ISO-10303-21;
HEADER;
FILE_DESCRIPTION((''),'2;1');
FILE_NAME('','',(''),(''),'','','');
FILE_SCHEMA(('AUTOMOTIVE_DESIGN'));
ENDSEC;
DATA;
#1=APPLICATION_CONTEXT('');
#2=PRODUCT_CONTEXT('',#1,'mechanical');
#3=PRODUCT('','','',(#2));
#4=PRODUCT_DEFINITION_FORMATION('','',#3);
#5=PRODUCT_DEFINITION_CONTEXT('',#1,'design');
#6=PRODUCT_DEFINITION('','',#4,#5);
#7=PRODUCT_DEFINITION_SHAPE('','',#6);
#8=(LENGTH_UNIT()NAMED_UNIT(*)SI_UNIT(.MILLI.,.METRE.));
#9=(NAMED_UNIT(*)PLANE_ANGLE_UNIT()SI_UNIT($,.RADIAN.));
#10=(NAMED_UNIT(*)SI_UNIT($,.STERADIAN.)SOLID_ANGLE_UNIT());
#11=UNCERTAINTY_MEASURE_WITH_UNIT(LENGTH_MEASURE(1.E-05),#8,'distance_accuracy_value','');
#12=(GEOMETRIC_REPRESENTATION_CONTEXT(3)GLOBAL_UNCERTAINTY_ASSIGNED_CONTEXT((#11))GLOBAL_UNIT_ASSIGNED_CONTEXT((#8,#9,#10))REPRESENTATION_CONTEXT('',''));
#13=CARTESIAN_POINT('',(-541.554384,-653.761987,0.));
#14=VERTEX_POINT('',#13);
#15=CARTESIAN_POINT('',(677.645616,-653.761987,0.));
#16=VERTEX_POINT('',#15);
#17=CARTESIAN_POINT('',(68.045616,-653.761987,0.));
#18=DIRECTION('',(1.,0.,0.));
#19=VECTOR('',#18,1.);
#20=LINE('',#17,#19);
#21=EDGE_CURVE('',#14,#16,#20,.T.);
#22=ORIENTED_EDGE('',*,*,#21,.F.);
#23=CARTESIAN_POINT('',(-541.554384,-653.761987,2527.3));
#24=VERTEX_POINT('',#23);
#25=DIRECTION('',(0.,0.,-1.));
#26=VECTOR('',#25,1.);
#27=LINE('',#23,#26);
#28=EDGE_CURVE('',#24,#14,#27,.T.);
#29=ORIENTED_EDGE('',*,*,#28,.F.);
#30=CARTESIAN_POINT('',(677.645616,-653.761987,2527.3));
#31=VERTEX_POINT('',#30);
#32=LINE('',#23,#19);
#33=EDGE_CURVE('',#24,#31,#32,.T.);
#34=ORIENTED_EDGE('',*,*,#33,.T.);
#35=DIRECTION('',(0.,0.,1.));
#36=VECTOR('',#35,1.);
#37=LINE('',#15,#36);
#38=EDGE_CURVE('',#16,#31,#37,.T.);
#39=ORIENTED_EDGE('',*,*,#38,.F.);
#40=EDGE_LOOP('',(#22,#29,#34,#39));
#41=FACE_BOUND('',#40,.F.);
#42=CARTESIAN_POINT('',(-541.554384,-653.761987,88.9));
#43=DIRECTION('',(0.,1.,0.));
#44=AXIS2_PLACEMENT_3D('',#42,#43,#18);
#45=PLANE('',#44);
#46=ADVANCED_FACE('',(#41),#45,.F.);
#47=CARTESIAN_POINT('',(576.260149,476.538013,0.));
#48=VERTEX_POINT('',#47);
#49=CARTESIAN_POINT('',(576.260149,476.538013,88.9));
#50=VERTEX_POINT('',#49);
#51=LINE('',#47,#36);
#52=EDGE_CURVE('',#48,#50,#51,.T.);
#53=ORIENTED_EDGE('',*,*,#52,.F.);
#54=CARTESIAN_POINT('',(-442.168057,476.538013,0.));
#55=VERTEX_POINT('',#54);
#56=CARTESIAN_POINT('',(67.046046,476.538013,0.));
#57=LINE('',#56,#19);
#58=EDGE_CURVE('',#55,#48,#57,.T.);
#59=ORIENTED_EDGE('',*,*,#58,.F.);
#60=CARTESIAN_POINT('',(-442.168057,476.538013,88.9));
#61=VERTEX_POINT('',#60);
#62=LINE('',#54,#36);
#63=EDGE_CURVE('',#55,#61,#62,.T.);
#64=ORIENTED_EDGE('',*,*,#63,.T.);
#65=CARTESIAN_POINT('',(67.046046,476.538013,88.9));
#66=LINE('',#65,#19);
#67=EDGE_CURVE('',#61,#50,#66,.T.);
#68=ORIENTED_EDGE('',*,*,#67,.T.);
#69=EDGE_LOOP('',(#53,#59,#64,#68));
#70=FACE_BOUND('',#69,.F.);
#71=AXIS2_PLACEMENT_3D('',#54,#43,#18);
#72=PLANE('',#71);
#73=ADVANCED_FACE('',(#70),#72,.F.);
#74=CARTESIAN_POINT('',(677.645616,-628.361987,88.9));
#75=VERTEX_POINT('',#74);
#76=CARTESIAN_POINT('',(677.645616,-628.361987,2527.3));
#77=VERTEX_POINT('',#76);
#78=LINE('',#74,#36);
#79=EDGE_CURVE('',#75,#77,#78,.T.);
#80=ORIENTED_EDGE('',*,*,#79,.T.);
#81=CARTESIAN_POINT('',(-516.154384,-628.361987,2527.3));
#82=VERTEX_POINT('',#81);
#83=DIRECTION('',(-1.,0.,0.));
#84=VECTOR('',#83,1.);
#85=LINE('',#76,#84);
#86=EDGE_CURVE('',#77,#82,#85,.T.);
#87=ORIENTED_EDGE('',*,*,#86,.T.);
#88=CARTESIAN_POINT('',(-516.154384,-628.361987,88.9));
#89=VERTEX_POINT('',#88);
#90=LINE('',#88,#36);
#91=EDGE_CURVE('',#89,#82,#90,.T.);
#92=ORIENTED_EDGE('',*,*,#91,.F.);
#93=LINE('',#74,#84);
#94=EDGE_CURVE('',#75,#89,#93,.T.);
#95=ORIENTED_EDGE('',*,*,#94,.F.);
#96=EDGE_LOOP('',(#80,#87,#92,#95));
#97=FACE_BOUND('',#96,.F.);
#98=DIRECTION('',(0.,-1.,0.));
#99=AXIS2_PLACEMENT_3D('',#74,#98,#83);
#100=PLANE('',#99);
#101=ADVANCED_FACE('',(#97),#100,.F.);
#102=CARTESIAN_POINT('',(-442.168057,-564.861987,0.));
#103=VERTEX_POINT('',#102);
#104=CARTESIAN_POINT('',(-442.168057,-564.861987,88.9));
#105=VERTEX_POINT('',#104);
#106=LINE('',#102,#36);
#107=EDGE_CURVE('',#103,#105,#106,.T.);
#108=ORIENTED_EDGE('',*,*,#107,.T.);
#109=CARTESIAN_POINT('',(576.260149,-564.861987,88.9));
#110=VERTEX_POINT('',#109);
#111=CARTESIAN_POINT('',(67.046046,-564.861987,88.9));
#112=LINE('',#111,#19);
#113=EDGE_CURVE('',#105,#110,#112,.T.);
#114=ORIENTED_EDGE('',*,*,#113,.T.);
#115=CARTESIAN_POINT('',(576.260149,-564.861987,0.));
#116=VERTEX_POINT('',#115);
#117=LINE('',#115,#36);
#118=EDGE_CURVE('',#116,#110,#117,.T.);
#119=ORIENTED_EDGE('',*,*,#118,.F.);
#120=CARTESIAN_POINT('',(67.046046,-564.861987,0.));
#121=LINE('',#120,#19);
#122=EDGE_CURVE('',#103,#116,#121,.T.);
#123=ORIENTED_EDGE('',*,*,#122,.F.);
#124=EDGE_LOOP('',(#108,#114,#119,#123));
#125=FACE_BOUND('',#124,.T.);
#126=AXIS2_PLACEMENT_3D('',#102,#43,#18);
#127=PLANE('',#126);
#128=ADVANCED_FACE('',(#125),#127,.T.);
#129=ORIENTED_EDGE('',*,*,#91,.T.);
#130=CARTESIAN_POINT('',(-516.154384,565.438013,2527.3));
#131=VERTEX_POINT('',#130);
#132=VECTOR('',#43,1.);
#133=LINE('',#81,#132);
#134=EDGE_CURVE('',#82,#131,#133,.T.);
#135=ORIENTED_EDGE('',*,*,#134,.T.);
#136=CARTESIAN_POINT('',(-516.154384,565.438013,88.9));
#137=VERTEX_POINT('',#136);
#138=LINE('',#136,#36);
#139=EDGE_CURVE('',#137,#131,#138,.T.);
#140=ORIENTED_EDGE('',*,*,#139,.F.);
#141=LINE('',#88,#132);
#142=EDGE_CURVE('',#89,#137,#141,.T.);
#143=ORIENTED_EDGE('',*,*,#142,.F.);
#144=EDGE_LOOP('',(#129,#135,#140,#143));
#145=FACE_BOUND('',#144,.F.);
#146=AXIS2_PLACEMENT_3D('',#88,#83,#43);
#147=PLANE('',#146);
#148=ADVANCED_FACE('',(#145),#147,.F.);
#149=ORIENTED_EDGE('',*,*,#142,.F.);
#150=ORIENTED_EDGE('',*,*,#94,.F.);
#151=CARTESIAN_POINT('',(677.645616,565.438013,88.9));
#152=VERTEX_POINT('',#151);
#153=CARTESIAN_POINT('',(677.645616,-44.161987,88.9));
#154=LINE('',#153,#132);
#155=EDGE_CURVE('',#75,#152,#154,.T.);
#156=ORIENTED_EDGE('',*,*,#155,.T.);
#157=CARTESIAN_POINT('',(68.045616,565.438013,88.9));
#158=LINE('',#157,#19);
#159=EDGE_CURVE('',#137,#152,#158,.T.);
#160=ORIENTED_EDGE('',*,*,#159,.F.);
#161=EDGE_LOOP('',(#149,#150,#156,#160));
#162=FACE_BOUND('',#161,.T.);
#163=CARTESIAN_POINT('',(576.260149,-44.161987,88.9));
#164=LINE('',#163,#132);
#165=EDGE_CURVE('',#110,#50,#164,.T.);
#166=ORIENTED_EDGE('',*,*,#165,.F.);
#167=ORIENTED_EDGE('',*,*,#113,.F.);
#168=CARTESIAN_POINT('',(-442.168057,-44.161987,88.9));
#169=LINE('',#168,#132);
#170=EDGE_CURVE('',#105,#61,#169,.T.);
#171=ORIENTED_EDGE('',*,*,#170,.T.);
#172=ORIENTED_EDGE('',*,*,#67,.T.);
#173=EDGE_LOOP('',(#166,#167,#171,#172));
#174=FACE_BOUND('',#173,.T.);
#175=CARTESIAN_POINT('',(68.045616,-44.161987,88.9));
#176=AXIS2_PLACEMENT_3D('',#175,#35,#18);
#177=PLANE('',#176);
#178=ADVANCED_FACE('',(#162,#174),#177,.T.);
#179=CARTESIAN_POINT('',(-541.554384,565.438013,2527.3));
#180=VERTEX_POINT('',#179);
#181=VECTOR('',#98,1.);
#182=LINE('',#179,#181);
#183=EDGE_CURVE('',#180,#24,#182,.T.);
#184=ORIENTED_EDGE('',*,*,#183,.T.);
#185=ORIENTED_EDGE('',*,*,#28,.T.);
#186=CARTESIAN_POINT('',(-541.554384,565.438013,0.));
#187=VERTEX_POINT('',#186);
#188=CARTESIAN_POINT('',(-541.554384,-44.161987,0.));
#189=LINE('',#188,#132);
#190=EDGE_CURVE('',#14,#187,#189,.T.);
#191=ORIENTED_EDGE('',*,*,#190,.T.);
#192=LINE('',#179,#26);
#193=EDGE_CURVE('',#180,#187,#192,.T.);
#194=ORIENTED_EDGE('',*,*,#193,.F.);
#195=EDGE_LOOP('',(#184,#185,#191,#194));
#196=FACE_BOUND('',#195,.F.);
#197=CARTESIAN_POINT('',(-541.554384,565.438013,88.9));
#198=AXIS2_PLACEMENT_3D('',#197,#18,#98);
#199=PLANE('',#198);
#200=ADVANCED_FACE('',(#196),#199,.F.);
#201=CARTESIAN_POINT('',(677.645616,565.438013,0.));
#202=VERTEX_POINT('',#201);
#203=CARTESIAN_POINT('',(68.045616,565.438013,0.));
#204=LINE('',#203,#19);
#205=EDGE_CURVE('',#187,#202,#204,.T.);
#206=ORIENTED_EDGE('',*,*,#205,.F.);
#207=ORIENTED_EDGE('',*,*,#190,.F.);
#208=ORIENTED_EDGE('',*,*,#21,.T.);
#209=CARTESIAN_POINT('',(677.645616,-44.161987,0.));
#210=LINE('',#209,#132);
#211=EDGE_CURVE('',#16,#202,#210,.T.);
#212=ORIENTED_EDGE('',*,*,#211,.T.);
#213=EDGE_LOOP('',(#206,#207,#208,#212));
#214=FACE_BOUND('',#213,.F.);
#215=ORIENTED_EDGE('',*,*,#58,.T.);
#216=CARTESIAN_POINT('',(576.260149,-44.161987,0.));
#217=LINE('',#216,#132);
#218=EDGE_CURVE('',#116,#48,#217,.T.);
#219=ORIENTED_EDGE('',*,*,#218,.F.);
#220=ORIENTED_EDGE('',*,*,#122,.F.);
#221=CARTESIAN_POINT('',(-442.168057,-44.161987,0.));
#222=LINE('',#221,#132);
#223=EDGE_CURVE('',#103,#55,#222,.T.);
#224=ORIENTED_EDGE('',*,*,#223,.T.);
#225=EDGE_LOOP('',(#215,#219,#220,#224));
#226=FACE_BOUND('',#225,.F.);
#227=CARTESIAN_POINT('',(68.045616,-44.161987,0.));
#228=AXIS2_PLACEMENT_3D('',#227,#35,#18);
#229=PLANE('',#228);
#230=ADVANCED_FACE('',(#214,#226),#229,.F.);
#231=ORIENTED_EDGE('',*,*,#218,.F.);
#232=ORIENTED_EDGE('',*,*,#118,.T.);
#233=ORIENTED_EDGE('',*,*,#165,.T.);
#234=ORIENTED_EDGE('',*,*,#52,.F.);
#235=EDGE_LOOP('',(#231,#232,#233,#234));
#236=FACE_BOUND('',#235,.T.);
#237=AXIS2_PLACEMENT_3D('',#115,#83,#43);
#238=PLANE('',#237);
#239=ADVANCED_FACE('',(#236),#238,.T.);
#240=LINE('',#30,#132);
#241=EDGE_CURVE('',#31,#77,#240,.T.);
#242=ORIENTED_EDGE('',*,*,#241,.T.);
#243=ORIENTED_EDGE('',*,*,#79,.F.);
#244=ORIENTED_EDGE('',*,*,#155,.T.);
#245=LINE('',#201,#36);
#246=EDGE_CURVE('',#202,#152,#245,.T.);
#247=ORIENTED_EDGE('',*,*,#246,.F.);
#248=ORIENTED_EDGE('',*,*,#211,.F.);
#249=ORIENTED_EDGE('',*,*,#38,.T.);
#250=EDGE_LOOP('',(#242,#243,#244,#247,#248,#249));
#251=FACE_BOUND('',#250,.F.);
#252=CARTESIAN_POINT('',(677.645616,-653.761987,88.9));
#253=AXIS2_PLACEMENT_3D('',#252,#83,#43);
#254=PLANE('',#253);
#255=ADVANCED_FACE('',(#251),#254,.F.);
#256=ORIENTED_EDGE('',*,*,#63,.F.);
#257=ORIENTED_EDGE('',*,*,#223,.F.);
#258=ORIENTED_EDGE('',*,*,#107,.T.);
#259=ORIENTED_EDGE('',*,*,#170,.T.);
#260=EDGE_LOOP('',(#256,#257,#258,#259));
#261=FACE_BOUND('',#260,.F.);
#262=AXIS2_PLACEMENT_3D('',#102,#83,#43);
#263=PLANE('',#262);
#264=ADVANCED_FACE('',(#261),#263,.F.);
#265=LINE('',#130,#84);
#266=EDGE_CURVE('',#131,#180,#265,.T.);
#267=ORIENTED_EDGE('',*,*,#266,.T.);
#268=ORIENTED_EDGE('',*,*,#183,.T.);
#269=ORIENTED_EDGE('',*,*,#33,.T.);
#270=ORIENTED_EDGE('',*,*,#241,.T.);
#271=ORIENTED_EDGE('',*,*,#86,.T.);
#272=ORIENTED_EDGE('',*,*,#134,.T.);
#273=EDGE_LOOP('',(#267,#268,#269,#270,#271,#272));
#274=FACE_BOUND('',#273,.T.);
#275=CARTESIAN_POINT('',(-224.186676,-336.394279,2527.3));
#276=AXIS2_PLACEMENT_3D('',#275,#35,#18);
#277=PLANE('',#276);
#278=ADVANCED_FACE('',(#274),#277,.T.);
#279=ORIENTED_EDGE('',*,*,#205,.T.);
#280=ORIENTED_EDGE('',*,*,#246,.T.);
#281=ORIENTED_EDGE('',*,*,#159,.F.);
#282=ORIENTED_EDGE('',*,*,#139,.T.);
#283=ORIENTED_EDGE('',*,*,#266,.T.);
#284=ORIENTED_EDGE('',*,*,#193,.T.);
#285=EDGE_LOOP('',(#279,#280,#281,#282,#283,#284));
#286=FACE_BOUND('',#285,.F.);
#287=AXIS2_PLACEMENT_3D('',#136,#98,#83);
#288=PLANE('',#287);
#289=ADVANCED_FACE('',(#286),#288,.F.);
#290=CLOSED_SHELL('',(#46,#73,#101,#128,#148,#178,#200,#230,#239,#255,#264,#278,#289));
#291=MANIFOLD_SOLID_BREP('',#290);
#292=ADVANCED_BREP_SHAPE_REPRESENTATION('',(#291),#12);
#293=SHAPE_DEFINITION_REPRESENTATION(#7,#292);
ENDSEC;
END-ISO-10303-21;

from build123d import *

# Parameters (mm, degrees)
F0_W     = 1219.2
F0_H     = 1219.2
F0_W_2   = 1018.428206
F0_H_2   = 1041.4
F1_DEPTH = 88.9
F3_DEPTH = 2438.4


with BuildPart() as f1:
    # F0 (on Top) → F1 (new body)
    with BuildSketch(Plane.XY):
        with Locations((68.045616, -44.161987)):
            Rectangle(F0_W, F0_H)
        with Locations((67.046046, -44.161987)):
            Rectangle(F0_W_2, F0_H_2, mode=Mode.SUBTRACT)
    extrude(amount=F1_DEPTH)

    # F2 (on face) → F3 (join)
    with BuildSketch(Plane.XY.offset(88.9)):
        Polygon((-541.554384, -653.761987), (677.645616, -653.761987), (677.645616, -628.361987), (-516.154384, -628.361987), (-516.154384, 565.438013), (-541.554384, 565.438013), (-541.554384, -628.361987), align=None)
    extrude(amount=F3_DEPTH)


solid = f1.part
